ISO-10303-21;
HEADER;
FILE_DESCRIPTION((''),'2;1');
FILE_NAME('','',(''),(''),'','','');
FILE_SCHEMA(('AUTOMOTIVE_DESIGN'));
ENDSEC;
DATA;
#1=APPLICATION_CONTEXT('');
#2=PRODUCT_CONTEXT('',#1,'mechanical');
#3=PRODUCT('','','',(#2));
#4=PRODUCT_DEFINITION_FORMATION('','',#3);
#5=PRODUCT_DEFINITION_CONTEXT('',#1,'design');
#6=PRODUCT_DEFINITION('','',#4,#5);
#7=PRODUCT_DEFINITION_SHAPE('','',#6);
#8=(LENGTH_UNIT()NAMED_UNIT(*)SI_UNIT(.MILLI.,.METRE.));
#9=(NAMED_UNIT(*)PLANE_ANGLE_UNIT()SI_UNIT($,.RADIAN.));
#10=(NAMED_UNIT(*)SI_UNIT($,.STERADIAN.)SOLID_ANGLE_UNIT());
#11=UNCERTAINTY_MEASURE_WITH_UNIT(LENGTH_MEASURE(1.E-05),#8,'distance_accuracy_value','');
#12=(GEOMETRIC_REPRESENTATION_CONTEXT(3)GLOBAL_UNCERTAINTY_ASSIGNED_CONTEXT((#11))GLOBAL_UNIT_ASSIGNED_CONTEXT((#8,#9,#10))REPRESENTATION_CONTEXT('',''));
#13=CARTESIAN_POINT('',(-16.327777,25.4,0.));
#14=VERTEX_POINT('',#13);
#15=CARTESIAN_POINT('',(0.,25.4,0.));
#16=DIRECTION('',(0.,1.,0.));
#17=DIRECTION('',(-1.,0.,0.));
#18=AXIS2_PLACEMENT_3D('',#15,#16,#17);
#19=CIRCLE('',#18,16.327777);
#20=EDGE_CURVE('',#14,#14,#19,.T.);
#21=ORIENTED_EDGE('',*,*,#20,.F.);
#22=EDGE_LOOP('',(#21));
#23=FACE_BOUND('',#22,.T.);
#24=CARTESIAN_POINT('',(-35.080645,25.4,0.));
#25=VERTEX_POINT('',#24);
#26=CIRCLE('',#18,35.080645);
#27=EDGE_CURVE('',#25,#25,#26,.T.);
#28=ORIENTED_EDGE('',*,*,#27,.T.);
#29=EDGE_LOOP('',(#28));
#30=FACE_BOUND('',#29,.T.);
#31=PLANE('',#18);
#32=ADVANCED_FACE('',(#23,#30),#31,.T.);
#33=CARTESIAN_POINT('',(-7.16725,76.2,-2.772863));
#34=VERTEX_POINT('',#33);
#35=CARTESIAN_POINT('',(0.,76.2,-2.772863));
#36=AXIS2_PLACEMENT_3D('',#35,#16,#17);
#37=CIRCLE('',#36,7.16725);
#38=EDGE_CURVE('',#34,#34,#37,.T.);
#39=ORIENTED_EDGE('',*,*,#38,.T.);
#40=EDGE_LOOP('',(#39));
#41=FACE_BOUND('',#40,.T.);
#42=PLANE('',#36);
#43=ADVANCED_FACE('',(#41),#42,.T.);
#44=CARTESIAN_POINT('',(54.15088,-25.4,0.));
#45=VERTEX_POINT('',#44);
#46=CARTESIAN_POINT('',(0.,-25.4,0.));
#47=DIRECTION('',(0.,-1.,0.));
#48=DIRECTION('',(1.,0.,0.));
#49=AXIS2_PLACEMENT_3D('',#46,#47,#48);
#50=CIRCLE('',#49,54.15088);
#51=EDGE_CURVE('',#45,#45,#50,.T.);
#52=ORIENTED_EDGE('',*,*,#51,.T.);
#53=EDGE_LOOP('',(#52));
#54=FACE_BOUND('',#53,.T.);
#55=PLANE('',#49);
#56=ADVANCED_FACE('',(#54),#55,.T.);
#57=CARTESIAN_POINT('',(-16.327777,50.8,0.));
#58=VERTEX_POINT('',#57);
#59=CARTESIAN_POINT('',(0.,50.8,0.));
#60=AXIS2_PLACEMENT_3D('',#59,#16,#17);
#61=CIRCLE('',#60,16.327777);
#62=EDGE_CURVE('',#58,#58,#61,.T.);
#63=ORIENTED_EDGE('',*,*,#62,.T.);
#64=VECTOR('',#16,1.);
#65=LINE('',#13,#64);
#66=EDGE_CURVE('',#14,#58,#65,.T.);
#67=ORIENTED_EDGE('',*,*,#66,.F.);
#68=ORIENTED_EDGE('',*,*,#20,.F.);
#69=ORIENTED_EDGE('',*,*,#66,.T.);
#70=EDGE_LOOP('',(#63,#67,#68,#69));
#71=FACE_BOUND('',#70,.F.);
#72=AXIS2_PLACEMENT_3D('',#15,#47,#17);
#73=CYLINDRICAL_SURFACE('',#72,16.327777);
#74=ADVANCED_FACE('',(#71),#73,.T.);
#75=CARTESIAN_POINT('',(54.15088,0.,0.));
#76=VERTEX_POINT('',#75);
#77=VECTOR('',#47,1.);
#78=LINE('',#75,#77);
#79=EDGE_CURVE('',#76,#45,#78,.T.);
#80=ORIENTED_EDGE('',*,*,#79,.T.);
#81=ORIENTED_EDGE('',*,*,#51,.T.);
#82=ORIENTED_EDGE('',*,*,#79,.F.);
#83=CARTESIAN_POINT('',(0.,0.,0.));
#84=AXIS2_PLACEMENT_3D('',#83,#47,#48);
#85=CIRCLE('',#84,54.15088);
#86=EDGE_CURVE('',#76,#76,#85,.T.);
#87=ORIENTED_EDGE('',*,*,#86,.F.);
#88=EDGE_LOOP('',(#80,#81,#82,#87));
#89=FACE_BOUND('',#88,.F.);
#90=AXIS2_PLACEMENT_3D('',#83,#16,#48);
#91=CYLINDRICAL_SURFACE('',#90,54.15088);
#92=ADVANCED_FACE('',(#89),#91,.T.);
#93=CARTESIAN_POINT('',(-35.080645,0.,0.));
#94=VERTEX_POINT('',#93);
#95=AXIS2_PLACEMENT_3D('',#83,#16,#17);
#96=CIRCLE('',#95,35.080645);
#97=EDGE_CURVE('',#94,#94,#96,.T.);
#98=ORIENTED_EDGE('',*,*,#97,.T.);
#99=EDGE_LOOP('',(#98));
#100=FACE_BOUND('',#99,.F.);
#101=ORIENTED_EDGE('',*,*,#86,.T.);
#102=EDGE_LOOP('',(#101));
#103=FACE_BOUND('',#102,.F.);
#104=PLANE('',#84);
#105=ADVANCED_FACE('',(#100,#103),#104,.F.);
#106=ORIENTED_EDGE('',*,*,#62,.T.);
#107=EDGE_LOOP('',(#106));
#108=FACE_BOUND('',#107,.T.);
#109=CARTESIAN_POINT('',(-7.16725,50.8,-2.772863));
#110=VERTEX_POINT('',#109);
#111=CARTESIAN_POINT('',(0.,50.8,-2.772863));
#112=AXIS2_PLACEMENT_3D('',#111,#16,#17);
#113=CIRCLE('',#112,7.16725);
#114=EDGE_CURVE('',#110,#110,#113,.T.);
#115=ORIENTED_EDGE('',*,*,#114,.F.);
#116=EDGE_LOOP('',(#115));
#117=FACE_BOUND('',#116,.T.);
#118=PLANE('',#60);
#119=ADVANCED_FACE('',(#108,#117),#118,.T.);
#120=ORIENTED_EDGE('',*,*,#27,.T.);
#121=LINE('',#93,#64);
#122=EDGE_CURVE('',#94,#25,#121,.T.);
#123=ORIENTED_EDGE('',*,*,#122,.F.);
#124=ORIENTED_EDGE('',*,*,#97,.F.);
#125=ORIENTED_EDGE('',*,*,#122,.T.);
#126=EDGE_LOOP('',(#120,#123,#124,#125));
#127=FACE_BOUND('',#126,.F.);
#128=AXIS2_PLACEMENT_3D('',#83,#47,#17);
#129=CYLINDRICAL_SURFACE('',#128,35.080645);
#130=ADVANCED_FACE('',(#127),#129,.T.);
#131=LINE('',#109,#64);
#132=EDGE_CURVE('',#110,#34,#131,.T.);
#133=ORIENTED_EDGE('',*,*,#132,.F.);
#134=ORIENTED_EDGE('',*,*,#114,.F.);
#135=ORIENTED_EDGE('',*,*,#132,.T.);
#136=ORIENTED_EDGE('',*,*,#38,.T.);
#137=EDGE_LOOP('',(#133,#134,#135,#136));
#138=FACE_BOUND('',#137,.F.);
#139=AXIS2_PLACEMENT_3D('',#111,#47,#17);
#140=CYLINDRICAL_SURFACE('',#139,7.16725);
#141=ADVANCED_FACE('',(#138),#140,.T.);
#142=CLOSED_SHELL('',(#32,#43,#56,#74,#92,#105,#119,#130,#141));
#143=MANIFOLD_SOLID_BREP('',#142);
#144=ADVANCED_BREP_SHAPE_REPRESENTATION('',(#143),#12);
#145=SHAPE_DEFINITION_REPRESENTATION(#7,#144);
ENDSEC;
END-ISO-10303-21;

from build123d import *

# Parameters (mm, degrees)
F0_R     = 54.15088
F1_DEPTH = 25.4
F2_R     = 35.080645
F3_DEPTH = 25.4
F4_R     = 16.327777
F5_DEPTH = 25.4
F6_R     = 7.16725
F7_DEPTH = 25.4


with BuildPart() as f1:
    # F0 (on Front) → F1 (new body)
    with BuildSketch(Plane.XZ):
        Circle(F0_R)
    extrude(amount=F1_DEPTH)

    # F2 (on face) → F3 (join)
    with BuildSketch(Plane(origin=(0, 0, 0), x_dir=(-1, 0, 0), z_dir=(0, 1, 0))):
        Circle(F2_R)
    extrude(amount=F3_DEPTH)

    # F4 (on face) → F5 (join)
    with BuildSketch(Plane(origin=(0, 25.4, 0), x_dir=(-1, 0, 0), z_dir=(0, 1, 0))):
        Circle(F4_R)
    extrude(amount=F5_DEPTH)

    # F6 (on face) → F7 (join)
    with BuildSketch(Plane(origin=(0, 50.8, 0), x_dir=(-1, 0, 0), z_dir=(0, 1, 0))):
        with Locations((0, -2.772863)):
            Circle(F6_R)
    extrude(amount=F7_DEPTH)


solid = f1.part
